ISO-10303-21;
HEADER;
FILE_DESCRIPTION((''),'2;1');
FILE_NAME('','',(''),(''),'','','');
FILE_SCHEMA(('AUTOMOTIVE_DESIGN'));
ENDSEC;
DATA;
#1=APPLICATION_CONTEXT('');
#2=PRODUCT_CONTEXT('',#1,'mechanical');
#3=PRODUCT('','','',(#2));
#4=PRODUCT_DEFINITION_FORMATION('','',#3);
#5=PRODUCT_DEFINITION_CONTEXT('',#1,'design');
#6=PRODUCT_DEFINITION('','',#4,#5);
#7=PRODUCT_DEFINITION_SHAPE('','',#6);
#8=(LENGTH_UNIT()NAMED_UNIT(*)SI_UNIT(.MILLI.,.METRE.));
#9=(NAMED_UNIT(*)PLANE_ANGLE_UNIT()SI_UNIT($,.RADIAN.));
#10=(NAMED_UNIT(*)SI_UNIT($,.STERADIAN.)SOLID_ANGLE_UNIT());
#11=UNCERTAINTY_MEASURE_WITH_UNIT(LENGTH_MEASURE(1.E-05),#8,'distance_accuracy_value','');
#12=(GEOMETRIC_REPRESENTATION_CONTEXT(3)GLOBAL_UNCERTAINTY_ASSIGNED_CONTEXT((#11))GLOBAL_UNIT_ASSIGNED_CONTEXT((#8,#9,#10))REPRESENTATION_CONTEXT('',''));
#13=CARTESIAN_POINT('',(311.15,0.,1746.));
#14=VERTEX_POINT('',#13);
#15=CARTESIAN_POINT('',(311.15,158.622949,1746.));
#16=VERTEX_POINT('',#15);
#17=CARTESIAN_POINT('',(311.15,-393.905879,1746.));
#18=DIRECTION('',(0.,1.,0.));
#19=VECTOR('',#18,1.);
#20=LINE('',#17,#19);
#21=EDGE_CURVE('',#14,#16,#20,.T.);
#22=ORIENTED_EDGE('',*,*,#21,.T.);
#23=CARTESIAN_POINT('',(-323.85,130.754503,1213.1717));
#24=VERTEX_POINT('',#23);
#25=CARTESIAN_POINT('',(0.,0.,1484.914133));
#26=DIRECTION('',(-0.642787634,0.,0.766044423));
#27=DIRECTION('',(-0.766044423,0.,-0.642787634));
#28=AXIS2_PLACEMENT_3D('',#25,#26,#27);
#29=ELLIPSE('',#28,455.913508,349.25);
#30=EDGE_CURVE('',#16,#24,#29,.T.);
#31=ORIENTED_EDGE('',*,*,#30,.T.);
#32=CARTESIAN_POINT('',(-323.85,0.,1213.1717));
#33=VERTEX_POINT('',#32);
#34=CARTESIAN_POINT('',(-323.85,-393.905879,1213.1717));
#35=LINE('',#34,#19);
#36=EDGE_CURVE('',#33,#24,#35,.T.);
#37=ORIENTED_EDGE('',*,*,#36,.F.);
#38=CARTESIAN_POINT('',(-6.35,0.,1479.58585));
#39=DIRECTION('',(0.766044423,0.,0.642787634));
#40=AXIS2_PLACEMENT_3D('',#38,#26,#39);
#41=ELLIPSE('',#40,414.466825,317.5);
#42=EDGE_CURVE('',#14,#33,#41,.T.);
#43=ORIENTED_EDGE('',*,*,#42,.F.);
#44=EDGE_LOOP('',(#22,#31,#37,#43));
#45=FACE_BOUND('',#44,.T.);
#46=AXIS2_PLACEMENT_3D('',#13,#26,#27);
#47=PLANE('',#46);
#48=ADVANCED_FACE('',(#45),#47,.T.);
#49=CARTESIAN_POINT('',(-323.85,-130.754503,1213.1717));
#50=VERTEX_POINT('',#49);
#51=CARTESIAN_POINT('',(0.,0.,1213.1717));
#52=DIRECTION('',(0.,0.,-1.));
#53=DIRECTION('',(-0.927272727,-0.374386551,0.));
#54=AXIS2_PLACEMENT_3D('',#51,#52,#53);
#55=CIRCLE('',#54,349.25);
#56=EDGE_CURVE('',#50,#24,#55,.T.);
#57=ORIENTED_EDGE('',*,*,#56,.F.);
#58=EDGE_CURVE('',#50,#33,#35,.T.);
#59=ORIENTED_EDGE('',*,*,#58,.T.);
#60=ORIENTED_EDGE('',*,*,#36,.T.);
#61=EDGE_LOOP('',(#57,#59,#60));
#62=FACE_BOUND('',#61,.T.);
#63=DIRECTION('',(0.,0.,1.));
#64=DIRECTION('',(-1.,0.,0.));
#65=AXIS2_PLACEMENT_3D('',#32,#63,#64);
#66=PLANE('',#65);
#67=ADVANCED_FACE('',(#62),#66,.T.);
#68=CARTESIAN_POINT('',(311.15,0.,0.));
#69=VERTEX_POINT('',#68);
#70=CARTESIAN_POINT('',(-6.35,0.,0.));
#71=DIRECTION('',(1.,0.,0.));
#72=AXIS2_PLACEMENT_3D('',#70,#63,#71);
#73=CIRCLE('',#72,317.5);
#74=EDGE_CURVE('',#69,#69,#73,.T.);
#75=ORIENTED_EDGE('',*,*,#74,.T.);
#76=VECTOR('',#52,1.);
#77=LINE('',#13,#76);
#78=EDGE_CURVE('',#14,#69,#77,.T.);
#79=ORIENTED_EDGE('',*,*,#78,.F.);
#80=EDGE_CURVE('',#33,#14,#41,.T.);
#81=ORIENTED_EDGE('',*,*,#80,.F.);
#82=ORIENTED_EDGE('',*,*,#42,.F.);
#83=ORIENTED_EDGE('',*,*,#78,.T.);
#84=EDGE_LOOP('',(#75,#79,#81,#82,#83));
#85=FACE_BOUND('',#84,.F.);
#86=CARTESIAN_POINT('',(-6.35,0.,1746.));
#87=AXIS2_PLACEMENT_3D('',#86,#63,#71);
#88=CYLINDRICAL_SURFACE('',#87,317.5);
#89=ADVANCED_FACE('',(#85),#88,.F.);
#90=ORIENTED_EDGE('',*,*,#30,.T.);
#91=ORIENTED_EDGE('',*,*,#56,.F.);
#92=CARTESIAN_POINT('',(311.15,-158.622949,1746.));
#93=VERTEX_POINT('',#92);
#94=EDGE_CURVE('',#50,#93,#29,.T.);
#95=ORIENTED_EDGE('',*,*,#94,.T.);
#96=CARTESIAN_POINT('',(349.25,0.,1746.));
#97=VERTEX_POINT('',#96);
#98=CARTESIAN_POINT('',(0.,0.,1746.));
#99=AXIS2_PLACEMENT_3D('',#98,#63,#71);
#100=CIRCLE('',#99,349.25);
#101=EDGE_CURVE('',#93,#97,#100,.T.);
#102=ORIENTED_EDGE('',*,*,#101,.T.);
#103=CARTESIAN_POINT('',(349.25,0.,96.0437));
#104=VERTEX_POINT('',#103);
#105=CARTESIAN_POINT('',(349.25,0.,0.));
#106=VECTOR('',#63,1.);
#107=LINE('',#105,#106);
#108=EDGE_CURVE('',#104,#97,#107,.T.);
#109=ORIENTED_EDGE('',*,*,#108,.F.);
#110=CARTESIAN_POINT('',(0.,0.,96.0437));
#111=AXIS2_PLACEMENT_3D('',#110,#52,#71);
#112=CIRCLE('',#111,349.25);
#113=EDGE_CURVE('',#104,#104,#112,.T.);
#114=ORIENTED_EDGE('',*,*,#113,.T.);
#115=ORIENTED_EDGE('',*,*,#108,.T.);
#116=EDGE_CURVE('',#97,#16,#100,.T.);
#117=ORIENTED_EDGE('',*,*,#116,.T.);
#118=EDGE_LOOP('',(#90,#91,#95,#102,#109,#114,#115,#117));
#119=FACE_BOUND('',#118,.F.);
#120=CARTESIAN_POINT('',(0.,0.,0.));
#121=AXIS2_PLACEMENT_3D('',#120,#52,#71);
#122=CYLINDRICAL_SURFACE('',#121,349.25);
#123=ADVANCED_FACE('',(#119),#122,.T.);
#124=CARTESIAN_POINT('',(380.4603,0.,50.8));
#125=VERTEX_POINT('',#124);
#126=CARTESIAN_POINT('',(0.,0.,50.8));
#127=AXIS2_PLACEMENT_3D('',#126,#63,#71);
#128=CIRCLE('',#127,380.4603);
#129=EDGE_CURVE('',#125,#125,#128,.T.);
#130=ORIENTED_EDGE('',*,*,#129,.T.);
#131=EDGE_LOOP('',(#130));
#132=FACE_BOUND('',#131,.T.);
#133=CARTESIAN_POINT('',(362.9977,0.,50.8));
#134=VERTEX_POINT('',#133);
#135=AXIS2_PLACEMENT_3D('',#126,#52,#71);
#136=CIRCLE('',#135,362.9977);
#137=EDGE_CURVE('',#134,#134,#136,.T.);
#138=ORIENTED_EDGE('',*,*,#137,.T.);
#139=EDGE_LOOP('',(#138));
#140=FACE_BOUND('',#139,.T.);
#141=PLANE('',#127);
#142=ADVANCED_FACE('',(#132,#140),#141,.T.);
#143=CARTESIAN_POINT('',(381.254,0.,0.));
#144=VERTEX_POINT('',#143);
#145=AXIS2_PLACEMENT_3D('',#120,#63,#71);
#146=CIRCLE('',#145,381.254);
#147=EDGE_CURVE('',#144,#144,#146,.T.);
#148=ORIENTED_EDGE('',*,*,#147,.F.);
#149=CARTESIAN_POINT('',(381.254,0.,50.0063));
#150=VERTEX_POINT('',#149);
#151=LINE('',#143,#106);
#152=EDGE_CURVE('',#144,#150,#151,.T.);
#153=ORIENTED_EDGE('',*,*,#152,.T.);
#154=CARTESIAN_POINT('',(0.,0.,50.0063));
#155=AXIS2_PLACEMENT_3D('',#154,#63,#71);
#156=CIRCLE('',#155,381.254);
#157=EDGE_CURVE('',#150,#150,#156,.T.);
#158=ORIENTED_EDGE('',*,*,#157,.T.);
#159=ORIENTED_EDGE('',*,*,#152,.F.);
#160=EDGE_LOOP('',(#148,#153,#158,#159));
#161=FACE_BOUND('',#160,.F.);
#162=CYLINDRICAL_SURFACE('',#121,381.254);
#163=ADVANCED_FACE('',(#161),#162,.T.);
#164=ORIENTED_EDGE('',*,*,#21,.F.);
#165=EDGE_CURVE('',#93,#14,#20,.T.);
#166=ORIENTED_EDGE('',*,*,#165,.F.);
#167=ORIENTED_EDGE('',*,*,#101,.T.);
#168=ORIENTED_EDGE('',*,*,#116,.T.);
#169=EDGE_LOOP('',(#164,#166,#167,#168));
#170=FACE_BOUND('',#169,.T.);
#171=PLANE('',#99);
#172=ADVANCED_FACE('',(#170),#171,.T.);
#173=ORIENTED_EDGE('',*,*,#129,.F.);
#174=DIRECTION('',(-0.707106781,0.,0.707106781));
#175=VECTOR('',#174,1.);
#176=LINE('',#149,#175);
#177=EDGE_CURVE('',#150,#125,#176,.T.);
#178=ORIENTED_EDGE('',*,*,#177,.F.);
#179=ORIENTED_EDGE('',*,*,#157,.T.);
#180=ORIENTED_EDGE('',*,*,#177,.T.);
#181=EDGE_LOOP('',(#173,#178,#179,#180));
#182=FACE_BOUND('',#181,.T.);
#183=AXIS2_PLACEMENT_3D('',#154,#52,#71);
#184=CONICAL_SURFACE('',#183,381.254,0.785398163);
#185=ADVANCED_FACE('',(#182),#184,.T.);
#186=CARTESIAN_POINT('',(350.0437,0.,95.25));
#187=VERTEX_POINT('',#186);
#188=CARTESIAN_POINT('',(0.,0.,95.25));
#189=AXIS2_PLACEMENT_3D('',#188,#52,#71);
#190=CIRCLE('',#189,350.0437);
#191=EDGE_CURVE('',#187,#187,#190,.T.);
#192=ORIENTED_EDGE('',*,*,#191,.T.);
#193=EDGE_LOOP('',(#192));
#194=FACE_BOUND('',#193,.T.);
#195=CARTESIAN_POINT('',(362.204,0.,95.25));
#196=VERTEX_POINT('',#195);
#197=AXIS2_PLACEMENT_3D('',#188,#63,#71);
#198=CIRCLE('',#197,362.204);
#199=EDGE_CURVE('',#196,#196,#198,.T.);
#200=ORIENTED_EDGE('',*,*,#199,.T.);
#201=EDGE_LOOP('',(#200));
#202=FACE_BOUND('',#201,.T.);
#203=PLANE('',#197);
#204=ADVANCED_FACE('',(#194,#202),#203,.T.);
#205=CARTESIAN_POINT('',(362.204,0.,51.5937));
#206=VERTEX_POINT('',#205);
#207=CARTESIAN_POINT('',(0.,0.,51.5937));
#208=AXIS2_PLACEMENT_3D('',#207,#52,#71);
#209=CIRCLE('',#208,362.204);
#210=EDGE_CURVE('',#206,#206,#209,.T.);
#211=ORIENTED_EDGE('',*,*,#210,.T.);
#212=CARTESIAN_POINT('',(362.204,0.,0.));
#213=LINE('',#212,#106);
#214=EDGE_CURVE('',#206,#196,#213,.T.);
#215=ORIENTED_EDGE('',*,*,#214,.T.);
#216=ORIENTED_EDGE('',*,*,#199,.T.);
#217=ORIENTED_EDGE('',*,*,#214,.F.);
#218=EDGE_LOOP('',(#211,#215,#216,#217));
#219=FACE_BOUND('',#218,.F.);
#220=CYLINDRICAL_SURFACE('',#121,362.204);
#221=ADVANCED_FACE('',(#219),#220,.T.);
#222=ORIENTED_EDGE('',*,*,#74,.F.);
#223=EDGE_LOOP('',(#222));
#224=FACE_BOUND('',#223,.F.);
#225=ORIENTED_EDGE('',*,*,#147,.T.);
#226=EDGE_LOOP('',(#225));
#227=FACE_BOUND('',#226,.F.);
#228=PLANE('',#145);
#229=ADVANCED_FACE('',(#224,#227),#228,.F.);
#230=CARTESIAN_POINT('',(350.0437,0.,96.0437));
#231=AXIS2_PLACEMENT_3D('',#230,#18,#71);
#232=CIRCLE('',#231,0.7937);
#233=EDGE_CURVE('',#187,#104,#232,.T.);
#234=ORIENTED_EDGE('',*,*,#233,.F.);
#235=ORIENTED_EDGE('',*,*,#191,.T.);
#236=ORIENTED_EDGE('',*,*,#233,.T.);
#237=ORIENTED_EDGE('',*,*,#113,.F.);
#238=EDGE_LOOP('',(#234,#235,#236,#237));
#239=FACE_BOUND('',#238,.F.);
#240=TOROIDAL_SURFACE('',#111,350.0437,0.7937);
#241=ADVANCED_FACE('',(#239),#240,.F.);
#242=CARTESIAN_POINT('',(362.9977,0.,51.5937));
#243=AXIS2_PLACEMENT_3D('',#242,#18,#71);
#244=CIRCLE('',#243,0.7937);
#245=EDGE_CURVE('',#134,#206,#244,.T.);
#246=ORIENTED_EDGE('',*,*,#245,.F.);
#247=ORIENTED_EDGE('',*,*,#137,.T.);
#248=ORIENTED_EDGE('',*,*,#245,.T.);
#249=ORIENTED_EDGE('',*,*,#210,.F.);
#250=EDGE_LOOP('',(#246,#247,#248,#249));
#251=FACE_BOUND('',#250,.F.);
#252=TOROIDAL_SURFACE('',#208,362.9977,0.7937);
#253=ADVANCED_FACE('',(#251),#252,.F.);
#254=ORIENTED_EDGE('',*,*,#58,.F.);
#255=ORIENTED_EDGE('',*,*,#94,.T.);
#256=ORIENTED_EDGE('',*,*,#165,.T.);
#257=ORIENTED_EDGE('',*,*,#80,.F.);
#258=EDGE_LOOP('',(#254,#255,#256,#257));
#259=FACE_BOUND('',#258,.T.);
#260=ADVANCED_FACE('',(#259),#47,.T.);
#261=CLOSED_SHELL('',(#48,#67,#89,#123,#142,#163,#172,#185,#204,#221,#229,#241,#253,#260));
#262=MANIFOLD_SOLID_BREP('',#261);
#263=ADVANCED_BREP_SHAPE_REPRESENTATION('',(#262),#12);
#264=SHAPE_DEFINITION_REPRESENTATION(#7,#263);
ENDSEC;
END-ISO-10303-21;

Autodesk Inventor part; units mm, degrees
ref_plane "YZ Plane" through (0, 0, 0) normal (1, 0, 0) x (0, 1, 0)
ref_plane "XZ Plane" through (0, 0, 0) normal (0, 1, 0) x (-1, 0, 0)
ref_plane "XY Plane" through (0, 0, 0) normal (0, 0, 1) x (1, 0, 0)
sketch "Sketch1" plane through (0, 0, 0) normal (0, 0, 1) x (1, 0, 0)
  circle A0 centre (0, 0) radius 381.254
  dimension "d0" = 762.508
extrude "Extrusion1" add sketch "Sketch1" along normal blind 50.8
sketch "Sketch2" plane through (0, 0, 0) normal (0, 0, 1) x (1, 0, 0)
  circle A0 centre (0, 0) radius 362.204
  dimension "d3" = 724.408
extrude "Extrusion2" add sketch "Sketch2" along normal blind 95.25
sketch "Sketch3" plane through (0, 0, 0) normal (0, 0, 1) x (1, 0, 0)
  circle A0 centre (0, 0) radius 349.25
  dimension "d6" = 698.5
extrude "Extrusion3" add sketch "Sketch3" along normal blind 1746
sketch "Sketch4" plane through (0, 0, 1746) normal (0, 0, 1) x (1, 0, 0)
  circle A0 centre (-6.35, 0) radius 317.5
  point P0 (0, 0)
  dimension "d9" = 635
  dimension "d24" = 6.35
extrude "Extrusion4" cut sketch "Sketch4" against normal through all
chamfer "Chamfer1" distance 0.7937 angle 45 1 edges at (-381.254, 0, 50.8)
fillet "Fillet1" radius 0.7937 1 edges at (-362.204, 0, 50.8)
fillet "Fillet2" radius 0.7937 1 edges at (-349.25, 0, 95.25)
sketch "Sketch5" plane through (0, 0, 0) normal (0, 1, 0) x (-1, 0, 0)
  line L0 (-311.15, 1746) -> (323.85, 1746) projected
  line L1 (-311.15, 1746) -> (323.85, 1213.1717)
  line L2 (323.85, 1213.1717) -> (349.25, 1213.1717)
  line L3 (349.25, 1213.1717) -> (349.25, 1746)
  line L4 (349.25, 1746) -> (323.85, 1746)
  line L5 (349.25, 96.0438) -> (349.25, 1746) construction
  point P0 (0, 0)
  dimension "d18" = 40
extrude "Extrusion5" cut sketch "Sketch5" along normal through all both and the other way through all
equation "\"BendRadius\" = Thickness"
equation "\"BendReliefWidth\" = Thickness"
equation "\"BendReliefDepth\" = 0.5 * Thickness"
equation "\"CornerReliefSize\" = 4 * Thickness"
equation "\"MinimumRemnant\" = 2 * Thickness"
equation "\"TransitionRadius\" = BendRadius"
equation "\"JacobiRadiusSize\" = Thickness"
equation "\"GapSize\" = Thickness"
equation "\"Thickness\" = 3.048"
properties part number "A1-19010-100-02 HCWI nozzle insert" material "Iron, Cast"
